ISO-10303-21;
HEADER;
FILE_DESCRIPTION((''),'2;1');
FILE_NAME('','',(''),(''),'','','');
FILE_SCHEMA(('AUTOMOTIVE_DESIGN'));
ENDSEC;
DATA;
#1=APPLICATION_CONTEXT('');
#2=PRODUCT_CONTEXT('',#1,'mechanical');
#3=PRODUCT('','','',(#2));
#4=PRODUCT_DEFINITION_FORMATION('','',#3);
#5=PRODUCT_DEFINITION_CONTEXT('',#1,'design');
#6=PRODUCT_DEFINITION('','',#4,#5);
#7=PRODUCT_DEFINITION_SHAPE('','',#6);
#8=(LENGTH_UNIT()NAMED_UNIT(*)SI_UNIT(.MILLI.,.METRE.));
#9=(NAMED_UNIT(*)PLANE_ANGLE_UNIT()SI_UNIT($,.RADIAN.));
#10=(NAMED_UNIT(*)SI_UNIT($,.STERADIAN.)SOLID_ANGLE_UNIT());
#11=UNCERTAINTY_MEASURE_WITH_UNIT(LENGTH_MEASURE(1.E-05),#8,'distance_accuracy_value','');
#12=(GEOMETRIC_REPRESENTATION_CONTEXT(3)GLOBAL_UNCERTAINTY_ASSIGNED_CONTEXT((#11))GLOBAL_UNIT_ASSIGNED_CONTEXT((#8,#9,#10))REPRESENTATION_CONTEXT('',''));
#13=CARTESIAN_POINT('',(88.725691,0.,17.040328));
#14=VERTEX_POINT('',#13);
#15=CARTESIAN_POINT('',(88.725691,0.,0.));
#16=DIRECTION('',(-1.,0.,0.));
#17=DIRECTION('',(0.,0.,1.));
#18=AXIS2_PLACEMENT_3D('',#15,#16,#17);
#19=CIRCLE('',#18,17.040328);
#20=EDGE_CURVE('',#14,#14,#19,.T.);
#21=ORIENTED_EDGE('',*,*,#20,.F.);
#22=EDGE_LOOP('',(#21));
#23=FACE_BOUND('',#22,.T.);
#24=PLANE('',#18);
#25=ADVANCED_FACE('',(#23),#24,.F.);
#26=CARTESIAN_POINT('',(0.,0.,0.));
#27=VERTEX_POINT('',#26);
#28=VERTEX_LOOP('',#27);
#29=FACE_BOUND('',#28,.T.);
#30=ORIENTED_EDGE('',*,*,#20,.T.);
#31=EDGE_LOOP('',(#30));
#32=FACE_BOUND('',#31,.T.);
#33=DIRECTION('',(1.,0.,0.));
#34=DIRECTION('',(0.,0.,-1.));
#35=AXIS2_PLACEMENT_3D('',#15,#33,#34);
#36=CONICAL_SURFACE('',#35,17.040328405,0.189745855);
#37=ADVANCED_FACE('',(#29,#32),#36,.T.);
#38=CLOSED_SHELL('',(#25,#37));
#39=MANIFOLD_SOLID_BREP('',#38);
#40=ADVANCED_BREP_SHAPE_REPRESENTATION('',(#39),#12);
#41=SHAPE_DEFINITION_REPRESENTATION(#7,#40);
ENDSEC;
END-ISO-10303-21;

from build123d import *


with BuildPart() as part:
    # 草图1 → 旋转1 (revolve)
    with BuildSketch(Plane.XY, mode=Mode.PRIVATE) as revolve_1_sk:
        Polygon((0, 0), (88.725690859, 0), (88.725690859, 17.040328405), align=None)
    revolve(revolve_1_sk.sketch.rotate(Axis((0, 0, 0), (1, 0, 0)), 270), axis=Axis((0, 0, 0), (1, 0, 0)))


solid = part.part
